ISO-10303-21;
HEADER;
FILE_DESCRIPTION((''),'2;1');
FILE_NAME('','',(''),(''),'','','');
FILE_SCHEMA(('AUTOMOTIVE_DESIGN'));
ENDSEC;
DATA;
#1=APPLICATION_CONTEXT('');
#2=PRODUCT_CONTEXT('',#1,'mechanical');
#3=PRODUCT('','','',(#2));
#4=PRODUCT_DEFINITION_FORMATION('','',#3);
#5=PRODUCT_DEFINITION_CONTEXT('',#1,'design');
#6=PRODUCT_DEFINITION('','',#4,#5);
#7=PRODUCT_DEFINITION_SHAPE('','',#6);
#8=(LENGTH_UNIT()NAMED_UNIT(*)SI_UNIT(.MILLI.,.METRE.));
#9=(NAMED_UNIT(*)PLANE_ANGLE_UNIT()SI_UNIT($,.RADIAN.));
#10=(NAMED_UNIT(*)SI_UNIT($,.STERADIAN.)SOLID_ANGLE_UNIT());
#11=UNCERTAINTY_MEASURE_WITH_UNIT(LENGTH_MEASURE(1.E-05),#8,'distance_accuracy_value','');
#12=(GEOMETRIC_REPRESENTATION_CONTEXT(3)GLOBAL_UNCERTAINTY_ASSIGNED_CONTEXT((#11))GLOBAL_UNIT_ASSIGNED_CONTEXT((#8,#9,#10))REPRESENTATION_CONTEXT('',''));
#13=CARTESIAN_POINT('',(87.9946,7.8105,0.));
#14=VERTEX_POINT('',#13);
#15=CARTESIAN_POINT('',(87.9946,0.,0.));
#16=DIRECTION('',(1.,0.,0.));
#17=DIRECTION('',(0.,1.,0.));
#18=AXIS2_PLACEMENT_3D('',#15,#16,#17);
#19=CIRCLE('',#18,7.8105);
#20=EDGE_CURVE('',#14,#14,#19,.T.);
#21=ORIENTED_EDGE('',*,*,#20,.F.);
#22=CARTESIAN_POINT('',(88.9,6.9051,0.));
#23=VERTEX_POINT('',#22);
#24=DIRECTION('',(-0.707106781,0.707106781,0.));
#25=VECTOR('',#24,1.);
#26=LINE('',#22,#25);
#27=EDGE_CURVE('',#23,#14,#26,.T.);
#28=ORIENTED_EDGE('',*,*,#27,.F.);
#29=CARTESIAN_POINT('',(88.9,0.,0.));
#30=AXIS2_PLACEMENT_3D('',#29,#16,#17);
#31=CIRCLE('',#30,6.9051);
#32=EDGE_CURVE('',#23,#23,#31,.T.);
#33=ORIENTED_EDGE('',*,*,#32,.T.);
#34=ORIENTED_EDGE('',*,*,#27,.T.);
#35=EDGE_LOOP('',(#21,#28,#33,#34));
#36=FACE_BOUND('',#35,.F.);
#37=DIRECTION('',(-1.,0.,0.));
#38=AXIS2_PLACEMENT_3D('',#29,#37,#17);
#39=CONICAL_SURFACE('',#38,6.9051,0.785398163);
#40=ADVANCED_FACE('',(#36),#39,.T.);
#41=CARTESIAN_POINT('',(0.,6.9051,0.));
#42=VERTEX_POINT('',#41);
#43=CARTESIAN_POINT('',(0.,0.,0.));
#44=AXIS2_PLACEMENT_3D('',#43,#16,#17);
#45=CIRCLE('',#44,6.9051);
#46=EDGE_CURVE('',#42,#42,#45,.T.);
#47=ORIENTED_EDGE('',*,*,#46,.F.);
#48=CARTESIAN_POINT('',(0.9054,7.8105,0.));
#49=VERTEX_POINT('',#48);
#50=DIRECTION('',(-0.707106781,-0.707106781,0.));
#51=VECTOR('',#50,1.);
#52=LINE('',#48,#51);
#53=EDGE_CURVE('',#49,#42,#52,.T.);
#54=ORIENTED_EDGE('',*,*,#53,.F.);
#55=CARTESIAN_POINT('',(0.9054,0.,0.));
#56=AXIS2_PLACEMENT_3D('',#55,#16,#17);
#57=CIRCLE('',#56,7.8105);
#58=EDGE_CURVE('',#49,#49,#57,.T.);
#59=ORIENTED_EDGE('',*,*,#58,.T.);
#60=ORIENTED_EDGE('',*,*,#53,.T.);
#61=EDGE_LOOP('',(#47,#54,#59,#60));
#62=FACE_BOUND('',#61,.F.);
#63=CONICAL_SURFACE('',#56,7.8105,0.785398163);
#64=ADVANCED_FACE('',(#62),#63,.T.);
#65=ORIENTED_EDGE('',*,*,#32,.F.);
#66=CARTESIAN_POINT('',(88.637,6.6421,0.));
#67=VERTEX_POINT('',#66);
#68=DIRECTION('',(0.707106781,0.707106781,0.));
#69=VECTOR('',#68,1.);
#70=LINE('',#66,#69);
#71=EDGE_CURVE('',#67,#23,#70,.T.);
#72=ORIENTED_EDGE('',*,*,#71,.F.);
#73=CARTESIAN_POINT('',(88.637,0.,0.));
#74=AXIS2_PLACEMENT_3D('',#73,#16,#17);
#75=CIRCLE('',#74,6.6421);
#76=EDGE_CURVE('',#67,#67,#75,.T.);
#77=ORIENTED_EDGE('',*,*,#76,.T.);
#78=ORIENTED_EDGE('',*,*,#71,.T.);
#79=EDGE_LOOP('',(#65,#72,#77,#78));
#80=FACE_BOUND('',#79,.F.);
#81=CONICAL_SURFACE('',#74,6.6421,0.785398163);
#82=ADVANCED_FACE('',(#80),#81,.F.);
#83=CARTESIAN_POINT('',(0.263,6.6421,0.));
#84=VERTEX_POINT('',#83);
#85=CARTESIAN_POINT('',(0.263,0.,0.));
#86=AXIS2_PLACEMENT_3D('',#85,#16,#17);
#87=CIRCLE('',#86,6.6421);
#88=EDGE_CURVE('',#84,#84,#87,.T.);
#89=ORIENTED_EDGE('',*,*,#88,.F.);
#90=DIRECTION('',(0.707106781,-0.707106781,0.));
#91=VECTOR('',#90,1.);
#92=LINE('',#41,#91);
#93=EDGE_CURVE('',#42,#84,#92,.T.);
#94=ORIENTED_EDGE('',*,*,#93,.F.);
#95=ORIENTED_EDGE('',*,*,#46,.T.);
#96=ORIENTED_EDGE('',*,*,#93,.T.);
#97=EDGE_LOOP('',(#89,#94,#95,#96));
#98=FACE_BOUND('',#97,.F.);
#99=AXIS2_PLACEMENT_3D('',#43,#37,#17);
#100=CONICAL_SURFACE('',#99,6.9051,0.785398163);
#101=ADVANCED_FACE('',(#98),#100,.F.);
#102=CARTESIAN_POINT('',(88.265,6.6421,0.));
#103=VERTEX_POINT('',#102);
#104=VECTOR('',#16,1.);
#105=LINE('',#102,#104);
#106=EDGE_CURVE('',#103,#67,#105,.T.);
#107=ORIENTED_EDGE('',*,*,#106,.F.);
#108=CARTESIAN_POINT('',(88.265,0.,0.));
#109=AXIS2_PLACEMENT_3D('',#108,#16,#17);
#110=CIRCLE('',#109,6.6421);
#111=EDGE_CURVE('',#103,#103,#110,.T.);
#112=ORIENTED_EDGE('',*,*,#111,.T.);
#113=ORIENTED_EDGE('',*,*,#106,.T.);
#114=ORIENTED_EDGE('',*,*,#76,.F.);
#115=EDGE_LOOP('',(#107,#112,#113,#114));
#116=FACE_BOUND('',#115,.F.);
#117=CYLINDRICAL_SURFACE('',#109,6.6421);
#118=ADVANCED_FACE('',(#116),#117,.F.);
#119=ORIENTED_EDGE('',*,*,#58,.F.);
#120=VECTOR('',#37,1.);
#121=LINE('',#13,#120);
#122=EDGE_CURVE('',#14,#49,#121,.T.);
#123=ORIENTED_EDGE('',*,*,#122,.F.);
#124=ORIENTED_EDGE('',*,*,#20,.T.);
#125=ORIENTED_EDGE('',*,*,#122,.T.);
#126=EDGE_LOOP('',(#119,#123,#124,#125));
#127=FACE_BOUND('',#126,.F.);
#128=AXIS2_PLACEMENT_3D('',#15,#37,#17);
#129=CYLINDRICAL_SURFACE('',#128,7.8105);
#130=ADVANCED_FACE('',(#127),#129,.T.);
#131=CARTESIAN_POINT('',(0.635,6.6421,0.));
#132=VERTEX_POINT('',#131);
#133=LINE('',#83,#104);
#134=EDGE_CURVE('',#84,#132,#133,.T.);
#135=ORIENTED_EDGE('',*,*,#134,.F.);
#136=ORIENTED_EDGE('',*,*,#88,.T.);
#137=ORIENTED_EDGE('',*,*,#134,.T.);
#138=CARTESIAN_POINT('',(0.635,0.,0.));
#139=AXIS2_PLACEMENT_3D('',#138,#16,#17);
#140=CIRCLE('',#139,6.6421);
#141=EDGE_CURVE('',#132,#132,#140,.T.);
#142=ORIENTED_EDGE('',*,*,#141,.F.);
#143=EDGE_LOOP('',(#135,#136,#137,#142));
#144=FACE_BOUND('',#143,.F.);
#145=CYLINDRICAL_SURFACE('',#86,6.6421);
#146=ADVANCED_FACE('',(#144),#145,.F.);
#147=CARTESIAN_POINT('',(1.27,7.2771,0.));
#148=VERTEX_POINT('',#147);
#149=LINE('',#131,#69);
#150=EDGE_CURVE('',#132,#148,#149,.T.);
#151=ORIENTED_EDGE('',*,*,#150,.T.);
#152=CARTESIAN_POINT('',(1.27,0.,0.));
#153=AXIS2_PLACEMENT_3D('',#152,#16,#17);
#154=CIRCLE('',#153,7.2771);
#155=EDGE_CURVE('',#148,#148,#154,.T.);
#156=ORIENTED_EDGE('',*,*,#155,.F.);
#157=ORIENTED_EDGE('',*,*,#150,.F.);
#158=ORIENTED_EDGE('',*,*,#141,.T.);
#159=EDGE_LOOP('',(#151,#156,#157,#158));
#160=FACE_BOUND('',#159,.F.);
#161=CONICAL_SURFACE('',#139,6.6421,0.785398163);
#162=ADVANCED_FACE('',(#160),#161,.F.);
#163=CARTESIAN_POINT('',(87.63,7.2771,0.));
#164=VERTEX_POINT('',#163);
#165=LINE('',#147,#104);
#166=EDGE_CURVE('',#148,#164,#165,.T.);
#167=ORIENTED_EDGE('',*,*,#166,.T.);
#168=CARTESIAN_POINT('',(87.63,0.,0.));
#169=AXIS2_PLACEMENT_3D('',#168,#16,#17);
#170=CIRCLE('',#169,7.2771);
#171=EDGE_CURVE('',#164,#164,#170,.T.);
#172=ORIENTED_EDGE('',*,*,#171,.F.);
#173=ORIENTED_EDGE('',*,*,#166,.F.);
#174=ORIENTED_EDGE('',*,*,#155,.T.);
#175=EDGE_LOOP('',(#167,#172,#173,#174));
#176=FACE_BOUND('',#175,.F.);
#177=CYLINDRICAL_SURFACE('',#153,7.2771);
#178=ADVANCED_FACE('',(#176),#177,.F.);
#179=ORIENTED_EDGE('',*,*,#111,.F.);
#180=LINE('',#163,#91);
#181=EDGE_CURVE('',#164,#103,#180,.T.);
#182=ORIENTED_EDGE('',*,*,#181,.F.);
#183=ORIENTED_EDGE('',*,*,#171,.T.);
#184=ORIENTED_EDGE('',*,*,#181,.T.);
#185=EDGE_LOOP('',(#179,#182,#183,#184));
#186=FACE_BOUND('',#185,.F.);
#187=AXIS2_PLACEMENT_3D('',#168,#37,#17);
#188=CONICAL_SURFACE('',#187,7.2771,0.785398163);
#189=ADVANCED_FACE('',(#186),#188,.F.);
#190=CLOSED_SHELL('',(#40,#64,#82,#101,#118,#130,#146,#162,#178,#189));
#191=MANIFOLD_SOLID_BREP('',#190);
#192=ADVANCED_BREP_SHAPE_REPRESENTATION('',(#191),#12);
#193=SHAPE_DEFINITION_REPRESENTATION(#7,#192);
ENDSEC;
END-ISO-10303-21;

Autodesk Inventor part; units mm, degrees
sketch "Sketch_5" plane through (0, 0, 0) normal (0, 0, 1) x (1, 0, 0)
  line L0 (88.9, 0) -> (-88.9, 0)
  line L1 (0, 6.9051) -> (0.263, 6.6421)
  line L2 (0.263, 6.6421) -> (0.635, 6.6421)
  line L3 (0.635, 6.6421) -> (1.27, 7.2771)
  line L4 (1.27, 7.2771) -> (87.63, 7.2771)
  line L5 (87.63, 7.2771) -> (88.265, 6.6421)
  line L6 (88.265, 6.6421) -> (88.637, 6.6421)
  line L7 (88.637, 6.6421) -> (88.9, 6.9051)
  line L8 (88.9, 6.9051) -> (87.9946, 7.8105)
  line L9 (87.9946, 7.8105) -> (0.9054, 7.8105)
  line L10 (0.9054, 7.8105) -> (0, 6.9051)
revolve "Revolution1" add sketch "Sketch_5" angle 360 about axis through (88.9, 0, 0) along (1, 0, 0)
ref_plane "o1_XY" through (0, -7.8105, 0) normal (1, 0, 0) x (0, 0, -1)
ref_plane "o1_YZ" through (0, -7.8105, 0) normal (0, 0, -1) x (0, 1, 0)
ref_plane "o1_ZX" through (0, -7.8105, 0) normal (0, 1, 0) x (1, 0, 0)
ref_plane "o2_XY" through (0, 7.8105, 0) normal (1, 0, 0) x (0, 0, -1)
ref_plane "o2_YZ" through (0, 7.8105, 0) normal (0, 0, -1) x (0, 1, 0)
ref_plane "o2_ZX" through (0, 7.8105, 0) normal (0, 1, 0) x (1, 0, 0)
ref_plane "t1_XY" through (44.45, 7.8105, 0) normal (1, 0, 0) x (0, 0, -1)
ref_plane "t1_YZ" through (44.45, 7.8105, 0) normal (0, 0, -1) x (0, 1, 0)
ref_plane "t1_ZX" through (44.45, 7.8105, 0) normal (0, 1, 0) x (1, 0, 0)
ref_plane "t2_XY" through (44.45, 0, -7.8105) normal (1, 0, 0) x (0, 0, -1)
ref_plane "t2_YZ" through (44.45, 0, -7.8105) normal (0, 0, -1) x (0, 1, 0)
ref_plane "t2_ZX" through (44.45, 0, -7.8105) normal (0, 1, 0) x (1, 0, 0)
ref_plane "t3_XY" through (44.45, -7.8105, 0) normal (1, 0, 0) x (0, 0, -1)
ref_plane "t3_YZ" through (44.45, -7.8105, 0) normal (0, 0, -1) x (0, 1, 0)
ref_plane "t3_ZX" through (44.45, -7.8105, 0) normal (0, 1, 0) x (1, 0, 0)
ref_plane "t4_XY" through (44.45, 0, 7.8105) normal (1, 0, 0) x (0, 0, -1)
ref_plane "t4_YZ" through (44.45, 0, 7.8105) normal (0, 0, -1) x (0, 1, 0)
ref_plane "t4_ZX" through (44.45, 0, 7.8105) normal (0, 1, 0) x (1, 0, 0)
ref_plane "tube1_XY" through (1.27, 0, 0) normal (1, 0, 0) x (0, 0, -1)
ref_plane "tube1_YZ" through (1.27, 0, 0) normal (0, 0, -1) x (0, 1, 0)
ref_plane "tube1_ZX" through (1.27, 0, 0) normal (0, 1, 0) x (1, 0, 0)
ref_plane "tube2_XY" through (87.63, 0, 0) normal (1, 0, 0) x (0, 0, -1)
ref_plane "tube2_YZ" through (87.63, 0, 0) normal (0, 0, -1) x (0, 1, 0)
ref_plane "tube2_ZX" through (87.63, 0, 0) normal (0, 1, 0) x (1, 0, 0)
properties part number "D-7516XP-3.5"
